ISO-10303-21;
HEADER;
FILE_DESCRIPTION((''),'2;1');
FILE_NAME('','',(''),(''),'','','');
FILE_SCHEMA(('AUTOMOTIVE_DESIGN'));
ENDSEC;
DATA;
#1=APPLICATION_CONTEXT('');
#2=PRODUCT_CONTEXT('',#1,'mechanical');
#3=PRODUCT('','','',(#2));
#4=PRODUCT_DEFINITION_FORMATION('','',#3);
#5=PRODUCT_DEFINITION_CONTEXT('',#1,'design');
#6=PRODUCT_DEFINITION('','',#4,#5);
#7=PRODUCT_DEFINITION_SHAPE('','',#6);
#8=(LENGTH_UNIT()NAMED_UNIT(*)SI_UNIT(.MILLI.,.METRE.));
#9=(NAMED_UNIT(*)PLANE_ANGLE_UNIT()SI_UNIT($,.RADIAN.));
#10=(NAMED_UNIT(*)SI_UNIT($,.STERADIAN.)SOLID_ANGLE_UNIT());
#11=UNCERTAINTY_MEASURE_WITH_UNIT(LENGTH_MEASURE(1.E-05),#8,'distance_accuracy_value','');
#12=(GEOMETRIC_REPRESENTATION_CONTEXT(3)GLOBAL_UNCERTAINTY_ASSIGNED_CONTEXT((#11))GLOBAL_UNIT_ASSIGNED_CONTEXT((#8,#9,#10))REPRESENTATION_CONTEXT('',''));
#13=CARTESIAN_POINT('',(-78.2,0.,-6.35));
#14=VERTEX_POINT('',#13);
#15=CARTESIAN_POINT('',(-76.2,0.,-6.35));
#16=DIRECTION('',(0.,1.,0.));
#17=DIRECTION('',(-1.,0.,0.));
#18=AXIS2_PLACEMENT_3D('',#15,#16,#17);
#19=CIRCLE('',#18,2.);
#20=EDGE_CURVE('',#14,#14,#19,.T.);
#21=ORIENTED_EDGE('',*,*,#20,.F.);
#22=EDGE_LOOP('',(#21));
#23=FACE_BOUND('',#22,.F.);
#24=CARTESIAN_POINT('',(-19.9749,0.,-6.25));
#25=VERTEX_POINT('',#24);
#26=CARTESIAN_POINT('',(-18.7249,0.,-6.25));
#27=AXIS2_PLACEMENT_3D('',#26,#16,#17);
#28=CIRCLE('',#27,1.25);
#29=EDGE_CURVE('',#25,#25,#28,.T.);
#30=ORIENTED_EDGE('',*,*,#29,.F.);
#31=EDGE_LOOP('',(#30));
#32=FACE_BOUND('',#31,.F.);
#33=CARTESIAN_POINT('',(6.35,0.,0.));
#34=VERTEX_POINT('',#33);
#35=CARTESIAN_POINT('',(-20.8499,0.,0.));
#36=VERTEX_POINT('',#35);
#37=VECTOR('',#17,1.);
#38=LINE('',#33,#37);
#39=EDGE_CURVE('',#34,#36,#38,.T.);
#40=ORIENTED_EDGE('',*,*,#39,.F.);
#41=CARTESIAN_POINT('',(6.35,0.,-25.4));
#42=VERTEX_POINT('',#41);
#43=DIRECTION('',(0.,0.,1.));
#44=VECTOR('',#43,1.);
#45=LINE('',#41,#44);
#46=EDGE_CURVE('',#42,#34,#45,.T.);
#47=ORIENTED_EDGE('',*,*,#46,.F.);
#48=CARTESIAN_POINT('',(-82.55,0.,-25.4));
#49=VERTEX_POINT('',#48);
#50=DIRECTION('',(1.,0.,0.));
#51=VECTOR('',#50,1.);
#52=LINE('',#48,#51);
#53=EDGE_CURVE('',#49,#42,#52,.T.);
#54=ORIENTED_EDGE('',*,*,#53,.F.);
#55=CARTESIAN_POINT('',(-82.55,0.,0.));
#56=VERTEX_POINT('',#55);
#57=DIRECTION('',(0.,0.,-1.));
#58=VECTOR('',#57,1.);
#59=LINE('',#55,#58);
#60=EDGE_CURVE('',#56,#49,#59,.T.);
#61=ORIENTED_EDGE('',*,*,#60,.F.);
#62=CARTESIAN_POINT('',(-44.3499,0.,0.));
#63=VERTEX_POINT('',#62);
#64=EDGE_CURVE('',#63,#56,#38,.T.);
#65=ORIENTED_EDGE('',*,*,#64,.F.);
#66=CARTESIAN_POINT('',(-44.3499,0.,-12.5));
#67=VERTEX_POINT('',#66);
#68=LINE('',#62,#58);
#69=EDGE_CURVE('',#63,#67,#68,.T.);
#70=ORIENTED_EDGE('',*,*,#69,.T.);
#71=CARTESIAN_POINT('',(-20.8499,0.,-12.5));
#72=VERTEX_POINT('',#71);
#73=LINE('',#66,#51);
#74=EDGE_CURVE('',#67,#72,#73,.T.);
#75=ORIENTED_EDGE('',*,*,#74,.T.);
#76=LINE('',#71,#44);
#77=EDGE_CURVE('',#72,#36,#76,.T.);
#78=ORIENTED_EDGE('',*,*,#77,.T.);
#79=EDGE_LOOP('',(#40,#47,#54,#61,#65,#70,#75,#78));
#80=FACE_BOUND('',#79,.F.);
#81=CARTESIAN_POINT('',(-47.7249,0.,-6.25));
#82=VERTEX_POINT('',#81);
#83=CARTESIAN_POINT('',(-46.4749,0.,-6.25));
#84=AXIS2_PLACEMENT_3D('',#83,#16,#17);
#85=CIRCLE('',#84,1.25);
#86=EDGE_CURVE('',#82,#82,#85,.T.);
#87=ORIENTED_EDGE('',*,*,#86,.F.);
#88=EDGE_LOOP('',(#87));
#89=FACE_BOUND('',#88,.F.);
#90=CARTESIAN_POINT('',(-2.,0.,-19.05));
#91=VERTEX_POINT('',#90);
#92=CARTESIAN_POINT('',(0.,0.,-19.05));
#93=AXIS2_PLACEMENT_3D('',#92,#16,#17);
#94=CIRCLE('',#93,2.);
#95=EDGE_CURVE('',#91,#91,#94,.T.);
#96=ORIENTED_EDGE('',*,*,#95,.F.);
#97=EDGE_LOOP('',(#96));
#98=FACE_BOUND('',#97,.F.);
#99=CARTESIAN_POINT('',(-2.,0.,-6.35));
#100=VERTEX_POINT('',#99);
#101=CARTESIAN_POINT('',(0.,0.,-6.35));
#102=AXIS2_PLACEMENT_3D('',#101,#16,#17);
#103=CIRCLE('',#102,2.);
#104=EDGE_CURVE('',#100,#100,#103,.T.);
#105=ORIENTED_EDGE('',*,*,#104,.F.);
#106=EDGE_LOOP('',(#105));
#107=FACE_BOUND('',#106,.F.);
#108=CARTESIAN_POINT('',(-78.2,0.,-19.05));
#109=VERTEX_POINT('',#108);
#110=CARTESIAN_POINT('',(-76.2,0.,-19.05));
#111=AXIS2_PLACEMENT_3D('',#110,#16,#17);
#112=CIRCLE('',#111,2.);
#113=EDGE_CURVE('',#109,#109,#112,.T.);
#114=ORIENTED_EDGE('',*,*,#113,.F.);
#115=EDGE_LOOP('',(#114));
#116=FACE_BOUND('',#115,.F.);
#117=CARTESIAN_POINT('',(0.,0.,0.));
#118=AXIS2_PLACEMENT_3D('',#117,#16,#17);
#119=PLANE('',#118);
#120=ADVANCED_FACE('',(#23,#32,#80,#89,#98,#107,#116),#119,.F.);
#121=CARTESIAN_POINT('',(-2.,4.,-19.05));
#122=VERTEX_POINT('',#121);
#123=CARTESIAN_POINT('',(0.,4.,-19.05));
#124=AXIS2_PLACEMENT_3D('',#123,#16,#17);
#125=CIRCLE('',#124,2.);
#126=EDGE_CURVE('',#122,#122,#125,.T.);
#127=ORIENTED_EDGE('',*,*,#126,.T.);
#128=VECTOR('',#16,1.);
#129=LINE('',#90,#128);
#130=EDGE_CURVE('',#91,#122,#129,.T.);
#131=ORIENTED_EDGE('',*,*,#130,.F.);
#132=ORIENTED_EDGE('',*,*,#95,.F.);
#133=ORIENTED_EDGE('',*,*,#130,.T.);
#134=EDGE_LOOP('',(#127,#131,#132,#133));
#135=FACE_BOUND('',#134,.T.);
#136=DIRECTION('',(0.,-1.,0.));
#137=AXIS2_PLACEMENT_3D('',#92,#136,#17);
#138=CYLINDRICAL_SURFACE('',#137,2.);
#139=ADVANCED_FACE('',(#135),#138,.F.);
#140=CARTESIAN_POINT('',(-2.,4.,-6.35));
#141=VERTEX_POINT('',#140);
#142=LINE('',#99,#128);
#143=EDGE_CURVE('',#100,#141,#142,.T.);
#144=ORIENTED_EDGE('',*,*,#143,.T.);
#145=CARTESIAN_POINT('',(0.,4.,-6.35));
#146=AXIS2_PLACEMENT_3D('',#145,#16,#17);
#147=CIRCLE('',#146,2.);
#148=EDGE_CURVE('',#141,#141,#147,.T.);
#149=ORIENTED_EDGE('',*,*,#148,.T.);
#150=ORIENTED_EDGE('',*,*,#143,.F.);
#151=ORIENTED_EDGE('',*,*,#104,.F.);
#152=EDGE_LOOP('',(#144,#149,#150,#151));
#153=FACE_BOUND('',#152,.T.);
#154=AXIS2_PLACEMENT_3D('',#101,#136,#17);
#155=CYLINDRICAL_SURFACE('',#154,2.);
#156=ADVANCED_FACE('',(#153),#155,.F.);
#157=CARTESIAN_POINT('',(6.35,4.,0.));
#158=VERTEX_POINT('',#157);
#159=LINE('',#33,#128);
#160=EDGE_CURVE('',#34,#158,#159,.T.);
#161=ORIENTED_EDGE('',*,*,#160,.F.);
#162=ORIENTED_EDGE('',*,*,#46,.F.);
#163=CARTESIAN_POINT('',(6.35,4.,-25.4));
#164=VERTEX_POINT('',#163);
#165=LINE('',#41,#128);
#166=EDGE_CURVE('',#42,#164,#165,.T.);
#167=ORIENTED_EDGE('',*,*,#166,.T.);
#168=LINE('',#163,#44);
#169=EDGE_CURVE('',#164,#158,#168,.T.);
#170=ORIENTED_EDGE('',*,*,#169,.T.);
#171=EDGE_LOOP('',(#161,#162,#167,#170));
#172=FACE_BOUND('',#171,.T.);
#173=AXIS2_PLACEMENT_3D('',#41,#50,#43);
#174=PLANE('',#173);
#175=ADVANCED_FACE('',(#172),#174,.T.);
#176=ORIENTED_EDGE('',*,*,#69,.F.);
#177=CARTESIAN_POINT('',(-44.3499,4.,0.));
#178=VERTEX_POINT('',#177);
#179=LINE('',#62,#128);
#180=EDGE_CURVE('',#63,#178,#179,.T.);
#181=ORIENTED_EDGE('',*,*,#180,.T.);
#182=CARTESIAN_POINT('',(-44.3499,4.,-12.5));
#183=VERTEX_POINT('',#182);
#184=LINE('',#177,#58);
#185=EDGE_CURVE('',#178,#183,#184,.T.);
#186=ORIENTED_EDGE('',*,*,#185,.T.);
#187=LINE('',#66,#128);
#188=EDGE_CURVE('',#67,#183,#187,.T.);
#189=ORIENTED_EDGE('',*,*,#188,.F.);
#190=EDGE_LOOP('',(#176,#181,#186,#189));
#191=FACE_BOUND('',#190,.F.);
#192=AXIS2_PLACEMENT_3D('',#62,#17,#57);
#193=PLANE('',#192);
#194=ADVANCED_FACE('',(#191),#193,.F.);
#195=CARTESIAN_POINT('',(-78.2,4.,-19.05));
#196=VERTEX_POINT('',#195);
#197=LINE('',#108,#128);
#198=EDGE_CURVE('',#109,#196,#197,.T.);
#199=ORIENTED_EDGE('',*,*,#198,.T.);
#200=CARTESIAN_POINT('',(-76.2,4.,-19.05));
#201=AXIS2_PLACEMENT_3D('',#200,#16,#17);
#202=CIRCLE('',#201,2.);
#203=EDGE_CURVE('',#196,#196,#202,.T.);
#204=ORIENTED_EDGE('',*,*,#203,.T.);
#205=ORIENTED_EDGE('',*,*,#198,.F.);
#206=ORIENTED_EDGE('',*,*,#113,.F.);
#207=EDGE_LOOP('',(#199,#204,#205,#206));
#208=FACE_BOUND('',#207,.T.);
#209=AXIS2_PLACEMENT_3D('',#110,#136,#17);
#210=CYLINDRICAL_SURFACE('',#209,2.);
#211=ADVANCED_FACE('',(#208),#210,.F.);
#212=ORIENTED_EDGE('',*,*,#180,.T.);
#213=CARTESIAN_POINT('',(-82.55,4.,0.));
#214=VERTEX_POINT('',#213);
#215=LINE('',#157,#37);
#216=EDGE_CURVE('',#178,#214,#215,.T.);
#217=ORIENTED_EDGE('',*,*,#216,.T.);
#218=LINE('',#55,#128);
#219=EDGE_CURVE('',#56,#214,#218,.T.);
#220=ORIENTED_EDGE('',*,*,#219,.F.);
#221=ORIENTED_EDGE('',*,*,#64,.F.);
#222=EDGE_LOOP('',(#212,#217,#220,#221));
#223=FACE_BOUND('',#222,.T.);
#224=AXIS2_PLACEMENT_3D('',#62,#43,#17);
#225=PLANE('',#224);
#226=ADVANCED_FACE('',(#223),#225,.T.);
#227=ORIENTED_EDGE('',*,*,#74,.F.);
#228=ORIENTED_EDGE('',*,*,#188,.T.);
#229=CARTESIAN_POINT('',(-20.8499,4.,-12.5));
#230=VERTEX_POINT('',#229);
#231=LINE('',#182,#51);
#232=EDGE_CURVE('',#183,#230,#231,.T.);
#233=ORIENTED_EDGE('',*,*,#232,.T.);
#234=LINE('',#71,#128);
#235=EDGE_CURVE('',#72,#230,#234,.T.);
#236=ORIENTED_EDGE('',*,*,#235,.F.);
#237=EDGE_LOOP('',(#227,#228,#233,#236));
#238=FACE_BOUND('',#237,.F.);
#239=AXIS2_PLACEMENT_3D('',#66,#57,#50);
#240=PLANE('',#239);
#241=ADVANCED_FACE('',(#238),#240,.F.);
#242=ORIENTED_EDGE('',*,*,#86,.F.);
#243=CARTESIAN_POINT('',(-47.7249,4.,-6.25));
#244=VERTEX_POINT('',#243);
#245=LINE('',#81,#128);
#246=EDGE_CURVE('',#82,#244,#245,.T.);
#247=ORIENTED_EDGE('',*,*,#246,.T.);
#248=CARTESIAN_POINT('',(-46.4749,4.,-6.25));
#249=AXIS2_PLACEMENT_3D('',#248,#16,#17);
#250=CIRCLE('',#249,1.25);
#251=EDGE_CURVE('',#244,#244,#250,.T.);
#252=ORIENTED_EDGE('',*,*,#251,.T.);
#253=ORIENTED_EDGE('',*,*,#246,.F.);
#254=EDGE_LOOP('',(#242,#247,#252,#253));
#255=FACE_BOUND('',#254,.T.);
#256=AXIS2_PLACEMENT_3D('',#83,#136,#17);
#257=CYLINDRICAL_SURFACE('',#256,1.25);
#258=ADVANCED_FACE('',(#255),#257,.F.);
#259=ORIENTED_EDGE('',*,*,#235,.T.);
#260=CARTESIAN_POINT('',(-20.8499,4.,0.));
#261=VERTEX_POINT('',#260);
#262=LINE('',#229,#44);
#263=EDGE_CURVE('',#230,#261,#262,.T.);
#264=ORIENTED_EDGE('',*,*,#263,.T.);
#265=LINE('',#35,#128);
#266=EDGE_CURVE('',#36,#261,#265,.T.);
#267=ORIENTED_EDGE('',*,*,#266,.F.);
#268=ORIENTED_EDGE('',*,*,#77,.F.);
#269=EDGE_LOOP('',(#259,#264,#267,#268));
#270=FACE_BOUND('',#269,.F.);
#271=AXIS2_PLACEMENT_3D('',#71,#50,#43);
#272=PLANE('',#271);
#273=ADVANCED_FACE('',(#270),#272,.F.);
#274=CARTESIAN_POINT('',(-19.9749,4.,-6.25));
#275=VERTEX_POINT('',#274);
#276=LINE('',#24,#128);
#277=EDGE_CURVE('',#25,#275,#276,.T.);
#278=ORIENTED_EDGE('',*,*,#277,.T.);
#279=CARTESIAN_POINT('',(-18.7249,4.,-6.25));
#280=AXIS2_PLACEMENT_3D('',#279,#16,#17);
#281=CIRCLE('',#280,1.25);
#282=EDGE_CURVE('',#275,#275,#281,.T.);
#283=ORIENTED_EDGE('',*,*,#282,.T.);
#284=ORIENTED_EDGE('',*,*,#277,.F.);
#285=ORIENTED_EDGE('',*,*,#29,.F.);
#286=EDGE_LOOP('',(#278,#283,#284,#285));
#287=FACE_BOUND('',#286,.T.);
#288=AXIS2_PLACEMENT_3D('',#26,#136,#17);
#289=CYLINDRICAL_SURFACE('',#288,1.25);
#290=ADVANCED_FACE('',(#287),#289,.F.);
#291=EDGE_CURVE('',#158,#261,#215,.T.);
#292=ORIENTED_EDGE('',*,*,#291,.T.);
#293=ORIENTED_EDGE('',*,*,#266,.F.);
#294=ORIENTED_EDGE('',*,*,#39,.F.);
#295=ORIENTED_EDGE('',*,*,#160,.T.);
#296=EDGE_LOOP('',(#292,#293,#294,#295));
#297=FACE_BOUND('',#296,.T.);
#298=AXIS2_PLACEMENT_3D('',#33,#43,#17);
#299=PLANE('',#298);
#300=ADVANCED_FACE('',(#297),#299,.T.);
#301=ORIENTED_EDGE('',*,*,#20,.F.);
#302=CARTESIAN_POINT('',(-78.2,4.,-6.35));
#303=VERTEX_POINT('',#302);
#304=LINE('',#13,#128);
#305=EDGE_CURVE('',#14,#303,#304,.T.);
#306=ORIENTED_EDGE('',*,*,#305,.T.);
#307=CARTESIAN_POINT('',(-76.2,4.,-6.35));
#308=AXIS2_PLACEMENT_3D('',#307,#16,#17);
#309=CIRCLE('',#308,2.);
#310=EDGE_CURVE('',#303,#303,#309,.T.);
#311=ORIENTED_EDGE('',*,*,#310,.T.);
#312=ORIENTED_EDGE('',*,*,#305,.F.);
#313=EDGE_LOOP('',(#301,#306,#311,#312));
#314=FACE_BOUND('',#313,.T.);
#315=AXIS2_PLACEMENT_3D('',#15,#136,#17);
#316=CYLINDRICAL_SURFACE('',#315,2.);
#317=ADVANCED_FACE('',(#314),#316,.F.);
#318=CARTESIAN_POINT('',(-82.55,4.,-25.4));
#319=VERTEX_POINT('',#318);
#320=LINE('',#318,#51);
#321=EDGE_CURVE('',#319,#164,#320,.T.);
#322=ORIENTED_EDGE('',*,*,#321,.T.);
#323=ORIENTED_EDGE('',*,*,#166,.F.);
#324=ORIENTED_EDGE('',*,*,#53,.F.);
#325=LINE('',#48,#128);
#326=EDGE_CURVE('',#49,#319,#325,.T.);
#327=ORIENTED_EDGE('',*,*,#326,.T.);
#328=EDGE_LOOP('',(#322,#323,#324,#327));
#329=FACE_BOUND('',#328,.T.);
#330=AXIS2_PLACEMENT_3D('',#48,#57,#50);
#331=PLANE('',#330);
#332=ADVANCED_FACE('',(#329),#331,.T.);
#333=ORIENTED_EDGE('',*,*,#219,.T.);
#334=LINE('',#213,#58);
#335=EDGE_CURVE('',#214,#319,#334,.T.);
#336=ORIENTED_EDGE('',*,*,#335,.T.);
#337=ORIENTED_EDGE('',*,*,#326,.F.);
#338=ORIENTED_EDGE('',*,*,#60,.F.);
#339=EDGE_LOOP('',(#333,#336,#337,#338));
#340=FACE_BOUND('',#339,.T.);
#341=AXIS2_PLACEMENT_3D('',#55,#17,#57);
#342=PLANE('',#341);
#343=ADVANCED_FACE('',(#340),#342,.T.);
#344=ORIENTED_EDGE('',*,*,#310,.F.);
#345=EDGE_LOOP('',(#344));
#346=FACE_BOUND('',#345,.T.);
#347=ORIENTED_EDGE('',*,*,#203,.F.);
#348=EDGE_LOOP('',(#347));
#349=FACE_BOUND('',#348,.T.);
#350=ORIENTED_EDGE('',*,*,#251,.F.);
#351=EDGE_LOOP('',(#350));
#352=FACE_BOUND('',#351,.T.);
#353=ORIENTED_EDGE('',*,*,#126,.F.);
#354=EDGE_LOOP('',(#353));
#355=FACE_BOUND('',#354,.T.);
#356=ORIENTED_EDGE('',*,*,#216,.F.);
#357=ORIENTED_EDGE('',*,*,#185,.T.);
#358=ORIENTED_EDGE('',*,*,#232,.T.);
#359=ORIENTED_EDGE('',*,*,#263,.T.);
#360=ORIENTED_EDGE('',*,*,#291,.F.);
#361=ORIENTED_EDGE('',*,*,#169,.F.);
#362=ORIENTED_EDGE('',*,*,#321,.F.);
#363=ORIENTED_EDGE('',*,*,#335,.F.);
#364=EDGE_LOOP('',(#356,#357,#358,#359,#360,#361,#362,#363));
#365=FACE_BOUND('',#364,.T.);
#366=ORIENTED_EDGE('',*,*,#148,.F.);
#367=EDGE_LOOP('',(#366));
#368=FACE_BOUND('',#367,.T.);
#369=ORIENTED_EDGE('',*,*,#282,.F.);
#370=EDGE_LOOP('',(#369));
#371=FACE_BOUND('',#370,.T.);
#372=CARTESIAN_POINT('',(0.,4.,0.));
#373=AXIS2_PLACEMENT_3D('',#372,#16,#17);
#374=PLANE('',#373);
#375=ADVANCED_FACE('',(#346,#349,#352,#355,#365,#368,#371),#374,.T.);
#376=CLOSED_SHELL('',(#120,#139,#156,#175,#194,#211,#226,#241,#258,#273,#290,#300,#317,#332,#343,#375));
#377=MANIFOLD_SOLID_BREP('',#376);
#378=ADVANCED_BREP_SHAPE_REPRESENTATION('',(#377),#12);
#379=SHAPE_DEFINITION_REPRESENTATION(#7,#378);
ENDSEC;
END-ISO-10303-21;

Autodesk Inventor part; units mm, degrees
ref_plane "YZ Plane" through (0, 0, 0) normal (1, 0, 0) x (0, 1, 0)
ref_plane "XZ Plane" through (0, 0, 0) normal (0, 1, 0) x (-1, 0, 0)
ref_plane "XY Plane" through (0, 0, 0) normal (0, 0, 1) x (1, 0, 0)
sketch "Sketch1" plane through (0, 0, 0) normal (0, 1, 0) x (-1, 0, 0)
  line L0 (0, 0) -> (76.2, 0) construction
  line L1 (76.2, 0) -> (76.2, -25.4) construction
  line L2 (76.2, -25.4) -> (0, -25.4) construction
  line L3 (0, -25.4) -> (0, 0) construction
  line L4 (82.55, -6.35) -> (-6.35, -6.35) construction
  line L5 (-6.35, -6.35) -> (-6.35, -19.05) construction
  line L6 (-6.35, -19.05) -> (82.55, -19.05) construction
  line L7 (82.55, -19.05) -> (82.55, -6.35) construction
  line L8 (-6.35, 0) -> (82.55, 0)
  line L9 (82.55, 0) -> (82.55, -25.4)
  line L10 (82.55, -25.4) -> (-6.35, -25.4)
  line L11 (-6.35, -25.4) -> (-6.35, 0)
  circle A0 centre (76.2, -6.35) radius 2
  circle A1 centre (76.2, -19.05) radius 2
  circle A2 centre (0, -19.05) radius 2
  circle A3 centre (0, -6.35) radius 2
  line L12 (20.8499, 0) -> (44.3499, 0)
  line L13 (44.3499, 0) -> (44.3499, -12.5)
  line L14 (44.3499, -12.5) -> (20.8499, -12.5)
  line L15 (20.8499, -12.5) -> (20.8499, 0)
  line L16 (44.3499, 0) -> (48.5999, 0) construction
  line L17 (48.5999, 0) -> (48.5999, -12.5) construction
  line L18 (48.5999, -12.5) -> (44.3499, -12.5) construction
  line L19 (44.3499, -12.5) -> (44.3499, 0) construction
  line L20 (20.8499, 0) -> (16.5999, 0) construction
  line L21 (16.5999, 0) -> (16.5999, -12.5) construction
  line L22 (16.5999, -12.5) -> (20.8499, -12.5) construction
  line L23 (20.8499, -12.5) -> (20.8499, 0) construction
  line L24 (48.5999, 0) -> (44.3499, -12.5) construction
  line L25 (44.3499, 0) -> (48.5999, -12.5) construction
  line L26 (20.8499, 0) -> (16.5999, -12.5) construction
  line L27 (16.5999, 0) -> (20.8499, -12.5) construction
  circle A4 centre (18.7249, -6.25) radius 1.25
  circle A5 centre (46.4749, -6.25) radius 1.25
  line L28 (44.0999, 0) -> (21.0999, 0) construction
  line L29 (21.0999, 0) -> (21.0999, -12.5) construction
  line L30 (21.0999, -12.5) -> (44.0999, -12.5) construction
  line L31 (44.0999, -12.5) -> (44.0999, 0) construction
  line L32 (44.0999, -6.25) -> (44.3499, -6.25) construction
  line L33 (21.0999, -6.25) -> (20.8499, -6.25) construction
  line L34 (44.0999, 0) -> (38.0999, 0) construction
  line L35 (38.0999, 0) -> (38.0999, -12.5) construction
  line L36 (38.0999, -12.5) -> (44.0999, -12.5) construction
  line L37 (44.0999, -12.5) -> (44.0999, 0) construction
  line L38 (38.0999, -6.25) -> (82.55, -6.25) construction
  line L39 (38.0999, -6.25) -> (-6.35, -6.35) construction
  point P0 (-6.35, -12.7)
  point P1 (82.55, -12.7)
  dimension "d0" = 25.4
  dimension "d1" = 76.2
  dimension "d2" = 12.7
  dimension "d3" = 88.9
  dimension "d4" = 6.35
  dimension "d5" = 6.35
  dimension "d6" = 4
  dimension "d7" = 4
  dimension "d8" = 4
  dimension "d9" = 4
  dimension "d11" = 32
  dimension "d12" = 23.5
  dimension "d13" = 12.5
  dimension "d14" = 2.5
  dimension "d15" = 2.5
  dimension "d16" = 23
  dimension "d17" = 6
extrude "Extrusion1" add sketch "Sketch1" along normal blind 4 contours L8 L15 L14 L13 L9 L10 L11
properties part number "ServoMount_3DPrint"
